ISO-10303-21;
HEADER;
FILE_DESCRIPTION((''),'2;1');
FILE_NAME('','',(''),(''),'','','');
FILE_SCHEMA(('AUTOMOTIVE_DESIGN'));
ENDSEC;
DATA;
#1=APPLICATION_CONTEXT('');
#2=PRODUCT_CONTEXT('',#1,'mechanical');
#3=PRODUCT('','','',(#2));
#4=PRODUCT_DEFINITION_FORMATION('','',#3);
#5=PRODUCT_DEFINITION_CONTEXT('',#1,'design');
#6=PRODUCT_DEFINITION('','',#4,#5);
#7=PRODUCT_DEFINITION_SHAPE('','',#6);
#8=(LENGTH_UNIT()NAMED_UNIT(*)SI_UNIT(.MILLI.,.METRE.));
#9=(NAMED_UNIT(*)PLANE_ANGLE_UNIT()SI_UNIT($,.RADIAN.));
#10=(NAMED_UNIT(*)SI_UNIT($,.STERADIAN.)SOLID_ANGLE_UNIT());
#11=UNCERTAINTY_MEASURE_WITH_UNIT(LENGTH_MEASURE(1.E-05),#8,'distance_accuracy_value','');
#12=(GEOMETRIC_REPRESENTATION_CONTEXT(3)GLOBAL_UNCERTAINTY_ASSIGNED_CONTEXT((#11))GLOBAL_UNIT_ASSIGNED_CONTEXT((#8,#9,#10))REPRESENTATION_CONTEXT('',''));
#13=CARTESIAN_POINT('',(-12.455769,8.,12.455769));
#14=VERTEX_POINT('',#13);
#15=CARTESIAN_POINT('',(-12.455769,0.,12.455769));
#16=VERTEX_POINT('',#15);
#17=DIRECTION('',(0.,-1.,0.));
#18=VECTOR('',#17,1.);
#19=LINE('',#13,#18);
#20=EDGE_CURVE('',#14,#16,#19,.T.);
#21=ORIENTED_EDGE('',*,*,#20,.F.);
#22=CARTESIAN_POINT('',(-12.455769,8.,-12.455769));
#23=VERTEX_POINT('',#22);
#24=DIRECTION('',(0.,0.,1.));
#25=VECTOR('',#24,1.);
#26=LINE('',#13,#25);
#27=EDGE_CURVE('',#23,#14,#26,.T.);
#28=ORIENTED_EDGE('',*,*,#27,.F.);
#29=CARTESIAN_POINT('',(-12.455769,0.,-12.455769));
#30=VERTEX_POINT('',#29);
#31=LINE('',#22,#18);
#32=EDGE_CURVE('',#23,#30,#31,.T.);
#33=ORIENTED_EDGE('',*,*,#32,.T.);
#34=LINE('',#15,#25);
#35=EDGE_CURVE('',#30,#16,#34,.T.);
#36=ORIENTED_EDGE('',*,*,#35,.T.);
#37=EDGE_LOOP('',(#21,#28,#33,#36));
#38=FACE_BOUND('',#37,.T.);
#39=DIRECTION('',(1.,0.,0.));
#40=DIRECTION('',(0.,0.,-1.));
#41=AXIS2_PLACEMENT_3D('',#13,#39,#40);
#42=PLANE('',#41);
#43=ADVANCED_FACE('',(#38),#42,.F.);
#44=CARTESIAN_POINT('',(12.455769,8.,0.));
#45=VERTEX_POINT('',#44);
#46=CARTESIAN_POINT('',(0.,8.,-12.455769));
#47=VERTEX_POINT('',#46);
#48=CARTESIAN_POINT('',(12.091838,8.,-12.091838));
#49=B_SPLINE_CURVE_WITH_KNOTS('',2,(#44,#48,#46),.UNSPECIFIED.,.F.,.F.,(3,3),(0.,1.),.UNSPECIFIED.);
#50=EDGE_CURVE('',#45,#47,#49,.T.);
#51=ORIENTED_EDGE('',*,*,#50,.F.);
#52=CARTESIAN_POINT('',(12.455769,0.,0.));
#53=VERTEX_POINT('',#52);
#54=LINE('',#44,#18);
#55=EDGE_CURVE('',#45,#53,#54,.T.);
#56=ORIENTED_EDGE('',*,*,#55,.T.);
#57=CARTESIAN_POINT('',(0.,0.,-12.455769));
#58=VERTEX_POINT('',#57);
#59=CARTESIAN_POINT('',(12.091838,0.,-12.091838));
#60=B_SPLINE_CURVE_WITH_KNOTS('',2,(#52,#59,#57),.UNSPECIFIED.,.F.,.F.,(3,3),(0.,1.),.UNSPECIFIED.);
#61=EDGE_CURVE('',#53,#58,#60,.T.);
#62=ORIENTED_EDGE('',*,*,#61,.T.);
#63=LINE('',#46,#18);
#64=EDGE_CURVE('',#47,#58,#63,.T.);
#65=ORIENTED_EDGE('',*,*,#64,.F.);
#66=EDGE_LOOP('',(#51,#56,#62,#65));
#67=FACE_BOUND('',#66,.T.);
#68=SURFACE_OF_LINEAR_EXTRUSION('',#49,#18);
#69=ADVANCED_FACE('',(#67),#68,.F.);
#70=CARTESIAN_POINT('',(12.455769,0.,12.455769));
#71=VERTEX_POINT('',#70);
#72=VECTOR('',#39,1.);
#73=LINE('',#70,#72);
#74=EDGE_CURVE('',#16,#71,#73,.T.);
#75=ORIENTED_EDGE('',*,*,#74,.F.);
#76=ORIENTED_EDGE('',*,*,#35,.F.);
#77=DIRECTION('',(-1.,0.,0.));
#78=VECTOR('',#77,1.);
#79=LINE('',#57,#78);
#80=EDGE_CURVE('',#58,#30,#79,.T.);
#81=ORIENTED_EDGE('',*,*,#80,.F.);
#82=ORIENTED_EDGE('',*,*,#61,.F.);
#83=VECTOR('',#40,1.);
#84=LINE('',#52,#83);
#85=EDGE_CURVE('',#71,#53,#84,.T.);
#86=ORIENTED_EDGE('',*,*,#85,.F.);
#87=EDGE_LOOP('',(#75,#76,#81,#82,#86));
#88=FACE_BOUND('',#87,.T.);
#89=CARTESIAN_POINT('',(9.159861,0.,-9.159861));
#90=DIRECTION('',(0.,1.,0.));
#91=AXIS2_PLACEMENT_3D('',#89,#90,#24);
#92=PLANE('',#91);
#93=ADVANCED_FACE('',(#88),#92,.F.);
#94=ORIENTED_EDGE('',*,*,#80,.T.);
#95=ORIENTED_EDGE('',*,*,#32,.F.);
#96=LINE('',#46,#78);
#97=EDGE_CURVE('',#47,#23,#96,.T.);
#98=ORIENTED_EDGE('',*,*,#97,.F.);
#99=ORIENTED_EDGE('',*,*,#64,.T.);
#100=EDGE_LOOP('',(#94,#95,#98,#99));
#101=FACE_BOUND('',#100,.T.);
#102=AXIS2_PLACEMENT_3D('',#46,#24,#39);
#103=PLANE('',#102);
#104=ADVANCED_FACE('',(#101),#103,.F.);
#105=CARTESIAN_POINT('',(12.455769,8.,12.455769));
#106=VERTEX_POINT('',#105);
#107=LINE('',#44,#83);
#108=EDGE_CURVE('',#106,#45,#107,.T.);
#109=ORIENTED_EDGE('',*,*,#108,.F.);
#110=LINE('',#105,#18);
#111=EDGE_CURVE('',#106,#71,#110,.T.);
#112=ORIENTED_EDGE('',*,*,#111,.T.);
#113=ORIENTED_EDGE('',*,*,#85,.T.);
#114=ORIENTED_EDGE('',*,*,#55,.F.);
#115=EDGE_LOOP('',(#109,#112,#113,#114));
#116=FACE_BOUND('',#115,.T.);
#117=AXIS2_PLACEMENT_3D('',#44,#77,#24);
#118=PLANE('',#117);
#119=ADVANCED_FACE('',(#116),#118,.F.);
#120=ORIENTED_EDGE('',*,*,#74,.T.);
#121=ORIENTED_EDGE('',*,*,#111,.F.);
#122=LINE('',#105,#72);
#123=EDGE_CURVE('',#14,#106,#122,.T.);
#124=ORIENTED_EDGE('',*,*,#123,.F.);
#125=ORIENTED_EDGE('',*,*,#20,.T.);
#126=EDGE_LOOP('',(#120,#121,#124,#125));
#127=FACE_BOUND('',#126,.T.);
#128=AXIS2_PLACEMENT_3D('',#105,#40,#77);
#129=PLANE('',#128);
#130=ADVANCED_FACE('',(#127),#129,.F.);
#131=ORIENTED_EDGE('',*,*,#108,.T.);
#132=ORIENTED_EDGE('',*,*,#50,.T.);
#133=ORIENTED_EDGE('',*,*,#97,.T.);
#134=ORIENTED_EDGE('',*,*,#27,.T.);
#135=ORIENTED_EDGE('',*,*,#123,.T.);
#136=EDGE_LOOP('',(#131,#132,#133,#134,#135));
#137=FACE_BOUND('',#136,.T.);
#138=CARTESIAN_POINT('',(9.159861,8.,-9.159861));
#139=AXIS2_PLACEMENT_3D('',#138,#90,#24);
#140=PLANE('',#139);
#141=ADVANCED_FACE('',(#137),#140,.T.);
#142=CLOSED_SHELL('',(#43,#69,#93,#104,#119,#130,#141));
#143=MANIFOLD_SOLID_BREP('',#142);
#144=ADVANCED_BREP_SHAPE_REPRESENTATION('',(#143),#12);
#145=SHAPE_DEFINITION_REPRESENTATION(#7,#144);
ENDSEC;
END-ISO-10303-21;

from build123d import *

# Parameters (mm, degrees)
BOSS_EXTRUDE1_DEPTH = 8


with BuildPart() as part:
    # Sketch1 → Boss-Extrude1 (new body)
    with BuildSketch(Plane(origin=(0, 0, 0), x_dir=(1, 0, 0), z_dir=(0, 1, 0))):
        with BuildLine():
            Line((0, 12.455769231), (-12.455769231, 12.455769231))
            Line((-12.455769231, 12.455769231), (-12.455769231, -12.455769231))
            Line((-12.455769231, -12.455769231), (12.455769231, -12.455769231))
            Line((12.455769231, -12.455769231), (12.455769231, 0))
            add(Edge.make_bspline(
                [(0, 12.455769231), (12.091837872, 12.091837872), (12.455769231, 0)],
                knots=[0, 0, 0, 1, 1, 1], degree=2))
        make_face()
    extrude(amount=BOSS_EXTRUDE1_DEPTH)


solid = part.part
